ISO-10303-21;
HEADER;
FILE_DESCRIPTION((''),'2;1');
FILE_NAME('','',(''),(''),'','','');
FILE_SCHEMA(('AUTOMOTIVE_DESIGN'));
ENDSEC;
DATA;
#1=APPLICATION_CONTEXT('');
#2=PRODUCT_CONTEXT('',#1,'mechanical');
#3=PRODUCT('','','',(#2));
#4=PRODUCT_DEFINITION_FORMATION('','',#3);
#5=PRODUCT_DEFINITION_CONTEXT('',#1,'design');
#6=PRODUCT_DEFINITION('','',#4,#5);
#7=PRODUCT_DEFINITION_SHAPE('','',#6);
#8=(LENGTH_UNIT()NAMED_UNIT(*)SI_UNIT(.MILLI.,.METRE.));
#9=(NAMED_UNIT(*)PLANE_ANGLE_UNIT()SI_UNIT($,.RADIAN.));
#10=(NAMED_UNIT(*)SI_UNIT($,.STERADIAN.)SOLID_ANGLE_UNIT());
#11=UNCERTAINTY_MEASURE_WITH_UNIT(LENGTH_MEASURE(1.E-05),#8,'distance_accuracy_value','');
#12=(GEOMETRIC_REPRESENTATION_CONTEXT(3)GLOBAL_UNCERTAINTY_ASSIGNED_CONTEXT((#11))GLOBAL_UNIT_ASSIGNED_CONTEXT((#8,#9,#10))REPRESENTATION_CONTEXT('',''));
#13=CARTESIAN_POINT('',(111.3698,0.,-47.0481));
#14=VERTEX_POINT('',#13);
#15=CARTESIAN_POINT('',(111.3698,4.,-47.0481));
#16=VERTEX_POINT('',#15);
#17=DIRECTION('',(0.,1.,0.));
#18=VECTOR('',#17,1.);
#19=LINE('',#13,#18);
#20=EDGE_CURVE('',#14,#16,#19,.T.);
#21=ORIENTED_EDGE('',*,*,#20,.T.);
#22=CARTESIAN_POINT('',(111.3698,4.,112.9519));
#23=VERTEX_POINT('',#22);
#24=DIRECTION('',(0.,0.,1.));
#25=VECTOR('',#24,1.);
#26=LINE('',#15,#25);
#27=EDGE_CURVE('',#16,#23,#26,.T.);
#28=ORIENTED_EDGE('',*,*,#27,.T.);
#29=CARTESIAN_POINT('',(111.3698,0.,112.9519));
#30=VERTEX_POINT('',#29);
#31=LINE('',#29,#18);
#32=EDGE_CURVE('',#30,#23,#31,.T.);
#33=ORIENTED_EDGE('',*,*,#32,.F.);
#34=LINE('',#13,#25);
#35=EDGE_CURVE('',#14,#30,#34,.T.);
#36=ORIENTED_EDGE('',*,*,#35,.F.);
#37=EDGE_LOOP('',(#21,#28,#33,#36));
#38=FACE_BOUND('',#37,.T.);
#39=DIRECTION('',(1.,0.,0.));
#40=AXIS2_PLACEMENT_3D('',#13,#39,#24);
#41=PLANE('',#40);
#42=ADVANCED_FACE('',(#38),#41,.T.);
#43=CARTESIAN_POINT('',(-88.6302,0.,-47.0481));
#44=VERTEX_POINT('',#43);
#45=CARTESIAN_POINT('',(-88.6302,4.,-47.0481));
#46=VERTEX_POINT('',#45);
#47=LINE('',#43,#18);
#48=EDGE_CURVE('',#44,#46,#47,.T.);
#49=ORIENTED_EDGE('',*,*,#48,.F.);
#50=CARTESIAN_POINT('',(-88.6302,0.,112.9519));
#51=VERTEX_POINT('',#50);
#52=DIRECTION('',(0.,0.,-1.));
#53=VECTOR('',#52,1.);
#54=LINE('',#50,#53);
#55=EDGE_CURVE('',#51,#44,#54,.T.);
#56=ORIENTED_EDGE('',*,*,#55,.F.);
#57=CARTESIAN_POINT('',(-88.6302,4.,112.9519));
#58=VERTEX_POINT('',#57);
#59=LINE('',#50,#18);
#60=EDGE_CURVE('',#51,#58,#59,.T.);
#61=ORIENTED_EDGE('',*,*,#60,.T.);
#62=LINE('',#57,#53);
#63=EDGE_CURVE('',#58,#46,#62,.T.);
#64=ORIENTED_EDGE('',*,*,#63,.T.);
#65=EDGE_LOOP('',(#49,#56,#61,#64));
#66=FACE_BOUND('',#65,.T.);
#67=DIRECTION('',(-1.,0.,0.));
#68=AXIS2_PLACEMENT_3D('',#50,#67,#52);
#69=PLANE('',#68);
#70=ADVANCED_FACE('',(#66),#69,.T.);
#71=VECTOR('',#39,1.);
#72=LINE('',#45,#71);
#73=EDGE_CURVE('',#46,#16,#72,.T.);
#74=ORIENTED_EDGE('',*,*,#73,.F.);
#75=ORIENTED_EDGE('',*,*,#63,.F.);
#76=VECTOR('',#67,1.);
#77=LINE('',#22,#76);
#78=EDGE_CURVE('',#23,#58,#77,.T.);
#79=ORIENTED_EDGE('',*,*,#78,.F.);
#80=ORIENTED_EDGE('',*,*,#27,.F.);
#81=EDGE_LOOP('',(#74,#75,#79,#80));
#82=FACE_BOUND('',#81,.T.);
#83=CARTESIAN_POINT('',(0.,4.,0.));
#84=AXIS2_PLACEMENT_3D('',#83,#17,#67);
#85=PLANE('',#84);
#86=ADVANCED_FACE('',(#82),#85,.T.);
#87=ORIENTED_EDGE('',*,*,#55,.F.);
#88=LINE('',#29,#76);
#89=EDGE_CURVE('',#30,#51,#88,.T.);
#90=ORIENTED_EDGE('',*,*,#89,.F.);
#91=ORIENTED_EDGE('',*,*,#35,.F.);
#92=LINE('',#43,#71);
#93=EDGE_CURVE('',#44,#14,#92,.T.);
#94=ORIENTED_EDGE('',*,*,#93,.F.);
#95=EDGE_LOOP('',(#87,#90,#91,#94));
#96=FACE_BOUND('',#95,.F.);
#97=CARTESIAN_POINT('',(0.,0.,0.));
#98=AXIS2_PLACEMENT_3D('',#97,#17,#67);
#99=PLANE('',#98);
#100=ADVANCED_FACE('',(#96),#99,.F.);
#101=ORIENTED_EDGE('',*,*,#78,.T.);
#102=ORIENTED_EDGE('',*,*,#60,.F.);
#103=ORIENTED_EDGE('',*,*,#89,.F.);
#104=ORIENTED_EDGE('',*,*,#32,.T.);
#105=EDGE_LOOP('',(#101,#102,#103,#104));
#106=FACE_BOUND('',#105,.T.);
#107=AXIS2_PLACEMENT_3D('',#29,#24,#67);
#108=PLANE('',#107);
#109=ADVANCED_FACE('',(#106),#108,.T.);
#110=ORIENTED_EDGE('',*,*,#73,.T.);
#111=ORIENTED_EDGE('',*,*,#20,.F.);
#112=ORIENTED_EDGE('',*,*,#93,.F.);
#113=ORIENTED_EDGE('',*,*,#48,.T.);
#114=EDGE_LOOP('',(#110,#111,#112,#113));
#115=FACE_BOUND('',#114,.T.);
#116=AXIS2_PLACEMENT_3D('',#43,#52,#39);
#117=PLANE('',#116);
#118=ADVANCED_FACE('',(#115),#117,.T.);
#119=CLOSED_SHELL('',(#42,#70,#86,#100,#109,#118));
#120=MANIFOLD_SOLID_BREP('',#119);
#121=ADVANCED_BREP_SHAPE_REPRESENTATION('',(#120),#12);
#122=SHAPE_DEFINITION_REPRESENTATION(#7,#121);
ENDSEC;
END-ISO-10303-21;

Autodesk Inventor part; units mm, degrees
ref_plane "YZ Plane" through (0, 0, 0) normal (1, 0, 0) x (0, 1, 0)
ref_plane "XZ Plane" through (0, 0, 0) normal (0, 1, 0) x (-1, 0, 0)
ref_plane "XY Plane" through (0, 0, 0) normal (0, 0, 1) x (1, 0, 0)
sketch "Sketch1" plane through (0, 0, 0) normal (0, 1, 0) x (-1, 0, 0)
  line L0 (88.6302, -47.0481) -> (-111.3698, -47.0481)
  line L1 (-111.3698, -47.0481) -> (-111.3698, 112.9519)
  line L2 (-111.3698, 112.9519) -> (88.6302, 112.9519)
  line L3 (88.6302, 112.9519) -> (88.6302, -47.0481)
  point P0 (0, 0)
  dimension "d0" = 200
  dimension "d1" = 160
extrude "Extrusion1" add sketch "Sketch1" along normal blind 4
sketch "Sketch3" plane through (0, 0, 0) normal (0, -1, 0) x (1, 0, 0)
  line L0 (111.3698, 112.9519) -> (111.3698, -47.0481) projected
  line L1 (111.3698, 32.9519) -> (-88.6302, 32.9519)
  line L2 (-88.6302, -47.0481) -> (-88.6302, 112.9519) projected
  point P0 (0, 0)
properties part number "roof"
